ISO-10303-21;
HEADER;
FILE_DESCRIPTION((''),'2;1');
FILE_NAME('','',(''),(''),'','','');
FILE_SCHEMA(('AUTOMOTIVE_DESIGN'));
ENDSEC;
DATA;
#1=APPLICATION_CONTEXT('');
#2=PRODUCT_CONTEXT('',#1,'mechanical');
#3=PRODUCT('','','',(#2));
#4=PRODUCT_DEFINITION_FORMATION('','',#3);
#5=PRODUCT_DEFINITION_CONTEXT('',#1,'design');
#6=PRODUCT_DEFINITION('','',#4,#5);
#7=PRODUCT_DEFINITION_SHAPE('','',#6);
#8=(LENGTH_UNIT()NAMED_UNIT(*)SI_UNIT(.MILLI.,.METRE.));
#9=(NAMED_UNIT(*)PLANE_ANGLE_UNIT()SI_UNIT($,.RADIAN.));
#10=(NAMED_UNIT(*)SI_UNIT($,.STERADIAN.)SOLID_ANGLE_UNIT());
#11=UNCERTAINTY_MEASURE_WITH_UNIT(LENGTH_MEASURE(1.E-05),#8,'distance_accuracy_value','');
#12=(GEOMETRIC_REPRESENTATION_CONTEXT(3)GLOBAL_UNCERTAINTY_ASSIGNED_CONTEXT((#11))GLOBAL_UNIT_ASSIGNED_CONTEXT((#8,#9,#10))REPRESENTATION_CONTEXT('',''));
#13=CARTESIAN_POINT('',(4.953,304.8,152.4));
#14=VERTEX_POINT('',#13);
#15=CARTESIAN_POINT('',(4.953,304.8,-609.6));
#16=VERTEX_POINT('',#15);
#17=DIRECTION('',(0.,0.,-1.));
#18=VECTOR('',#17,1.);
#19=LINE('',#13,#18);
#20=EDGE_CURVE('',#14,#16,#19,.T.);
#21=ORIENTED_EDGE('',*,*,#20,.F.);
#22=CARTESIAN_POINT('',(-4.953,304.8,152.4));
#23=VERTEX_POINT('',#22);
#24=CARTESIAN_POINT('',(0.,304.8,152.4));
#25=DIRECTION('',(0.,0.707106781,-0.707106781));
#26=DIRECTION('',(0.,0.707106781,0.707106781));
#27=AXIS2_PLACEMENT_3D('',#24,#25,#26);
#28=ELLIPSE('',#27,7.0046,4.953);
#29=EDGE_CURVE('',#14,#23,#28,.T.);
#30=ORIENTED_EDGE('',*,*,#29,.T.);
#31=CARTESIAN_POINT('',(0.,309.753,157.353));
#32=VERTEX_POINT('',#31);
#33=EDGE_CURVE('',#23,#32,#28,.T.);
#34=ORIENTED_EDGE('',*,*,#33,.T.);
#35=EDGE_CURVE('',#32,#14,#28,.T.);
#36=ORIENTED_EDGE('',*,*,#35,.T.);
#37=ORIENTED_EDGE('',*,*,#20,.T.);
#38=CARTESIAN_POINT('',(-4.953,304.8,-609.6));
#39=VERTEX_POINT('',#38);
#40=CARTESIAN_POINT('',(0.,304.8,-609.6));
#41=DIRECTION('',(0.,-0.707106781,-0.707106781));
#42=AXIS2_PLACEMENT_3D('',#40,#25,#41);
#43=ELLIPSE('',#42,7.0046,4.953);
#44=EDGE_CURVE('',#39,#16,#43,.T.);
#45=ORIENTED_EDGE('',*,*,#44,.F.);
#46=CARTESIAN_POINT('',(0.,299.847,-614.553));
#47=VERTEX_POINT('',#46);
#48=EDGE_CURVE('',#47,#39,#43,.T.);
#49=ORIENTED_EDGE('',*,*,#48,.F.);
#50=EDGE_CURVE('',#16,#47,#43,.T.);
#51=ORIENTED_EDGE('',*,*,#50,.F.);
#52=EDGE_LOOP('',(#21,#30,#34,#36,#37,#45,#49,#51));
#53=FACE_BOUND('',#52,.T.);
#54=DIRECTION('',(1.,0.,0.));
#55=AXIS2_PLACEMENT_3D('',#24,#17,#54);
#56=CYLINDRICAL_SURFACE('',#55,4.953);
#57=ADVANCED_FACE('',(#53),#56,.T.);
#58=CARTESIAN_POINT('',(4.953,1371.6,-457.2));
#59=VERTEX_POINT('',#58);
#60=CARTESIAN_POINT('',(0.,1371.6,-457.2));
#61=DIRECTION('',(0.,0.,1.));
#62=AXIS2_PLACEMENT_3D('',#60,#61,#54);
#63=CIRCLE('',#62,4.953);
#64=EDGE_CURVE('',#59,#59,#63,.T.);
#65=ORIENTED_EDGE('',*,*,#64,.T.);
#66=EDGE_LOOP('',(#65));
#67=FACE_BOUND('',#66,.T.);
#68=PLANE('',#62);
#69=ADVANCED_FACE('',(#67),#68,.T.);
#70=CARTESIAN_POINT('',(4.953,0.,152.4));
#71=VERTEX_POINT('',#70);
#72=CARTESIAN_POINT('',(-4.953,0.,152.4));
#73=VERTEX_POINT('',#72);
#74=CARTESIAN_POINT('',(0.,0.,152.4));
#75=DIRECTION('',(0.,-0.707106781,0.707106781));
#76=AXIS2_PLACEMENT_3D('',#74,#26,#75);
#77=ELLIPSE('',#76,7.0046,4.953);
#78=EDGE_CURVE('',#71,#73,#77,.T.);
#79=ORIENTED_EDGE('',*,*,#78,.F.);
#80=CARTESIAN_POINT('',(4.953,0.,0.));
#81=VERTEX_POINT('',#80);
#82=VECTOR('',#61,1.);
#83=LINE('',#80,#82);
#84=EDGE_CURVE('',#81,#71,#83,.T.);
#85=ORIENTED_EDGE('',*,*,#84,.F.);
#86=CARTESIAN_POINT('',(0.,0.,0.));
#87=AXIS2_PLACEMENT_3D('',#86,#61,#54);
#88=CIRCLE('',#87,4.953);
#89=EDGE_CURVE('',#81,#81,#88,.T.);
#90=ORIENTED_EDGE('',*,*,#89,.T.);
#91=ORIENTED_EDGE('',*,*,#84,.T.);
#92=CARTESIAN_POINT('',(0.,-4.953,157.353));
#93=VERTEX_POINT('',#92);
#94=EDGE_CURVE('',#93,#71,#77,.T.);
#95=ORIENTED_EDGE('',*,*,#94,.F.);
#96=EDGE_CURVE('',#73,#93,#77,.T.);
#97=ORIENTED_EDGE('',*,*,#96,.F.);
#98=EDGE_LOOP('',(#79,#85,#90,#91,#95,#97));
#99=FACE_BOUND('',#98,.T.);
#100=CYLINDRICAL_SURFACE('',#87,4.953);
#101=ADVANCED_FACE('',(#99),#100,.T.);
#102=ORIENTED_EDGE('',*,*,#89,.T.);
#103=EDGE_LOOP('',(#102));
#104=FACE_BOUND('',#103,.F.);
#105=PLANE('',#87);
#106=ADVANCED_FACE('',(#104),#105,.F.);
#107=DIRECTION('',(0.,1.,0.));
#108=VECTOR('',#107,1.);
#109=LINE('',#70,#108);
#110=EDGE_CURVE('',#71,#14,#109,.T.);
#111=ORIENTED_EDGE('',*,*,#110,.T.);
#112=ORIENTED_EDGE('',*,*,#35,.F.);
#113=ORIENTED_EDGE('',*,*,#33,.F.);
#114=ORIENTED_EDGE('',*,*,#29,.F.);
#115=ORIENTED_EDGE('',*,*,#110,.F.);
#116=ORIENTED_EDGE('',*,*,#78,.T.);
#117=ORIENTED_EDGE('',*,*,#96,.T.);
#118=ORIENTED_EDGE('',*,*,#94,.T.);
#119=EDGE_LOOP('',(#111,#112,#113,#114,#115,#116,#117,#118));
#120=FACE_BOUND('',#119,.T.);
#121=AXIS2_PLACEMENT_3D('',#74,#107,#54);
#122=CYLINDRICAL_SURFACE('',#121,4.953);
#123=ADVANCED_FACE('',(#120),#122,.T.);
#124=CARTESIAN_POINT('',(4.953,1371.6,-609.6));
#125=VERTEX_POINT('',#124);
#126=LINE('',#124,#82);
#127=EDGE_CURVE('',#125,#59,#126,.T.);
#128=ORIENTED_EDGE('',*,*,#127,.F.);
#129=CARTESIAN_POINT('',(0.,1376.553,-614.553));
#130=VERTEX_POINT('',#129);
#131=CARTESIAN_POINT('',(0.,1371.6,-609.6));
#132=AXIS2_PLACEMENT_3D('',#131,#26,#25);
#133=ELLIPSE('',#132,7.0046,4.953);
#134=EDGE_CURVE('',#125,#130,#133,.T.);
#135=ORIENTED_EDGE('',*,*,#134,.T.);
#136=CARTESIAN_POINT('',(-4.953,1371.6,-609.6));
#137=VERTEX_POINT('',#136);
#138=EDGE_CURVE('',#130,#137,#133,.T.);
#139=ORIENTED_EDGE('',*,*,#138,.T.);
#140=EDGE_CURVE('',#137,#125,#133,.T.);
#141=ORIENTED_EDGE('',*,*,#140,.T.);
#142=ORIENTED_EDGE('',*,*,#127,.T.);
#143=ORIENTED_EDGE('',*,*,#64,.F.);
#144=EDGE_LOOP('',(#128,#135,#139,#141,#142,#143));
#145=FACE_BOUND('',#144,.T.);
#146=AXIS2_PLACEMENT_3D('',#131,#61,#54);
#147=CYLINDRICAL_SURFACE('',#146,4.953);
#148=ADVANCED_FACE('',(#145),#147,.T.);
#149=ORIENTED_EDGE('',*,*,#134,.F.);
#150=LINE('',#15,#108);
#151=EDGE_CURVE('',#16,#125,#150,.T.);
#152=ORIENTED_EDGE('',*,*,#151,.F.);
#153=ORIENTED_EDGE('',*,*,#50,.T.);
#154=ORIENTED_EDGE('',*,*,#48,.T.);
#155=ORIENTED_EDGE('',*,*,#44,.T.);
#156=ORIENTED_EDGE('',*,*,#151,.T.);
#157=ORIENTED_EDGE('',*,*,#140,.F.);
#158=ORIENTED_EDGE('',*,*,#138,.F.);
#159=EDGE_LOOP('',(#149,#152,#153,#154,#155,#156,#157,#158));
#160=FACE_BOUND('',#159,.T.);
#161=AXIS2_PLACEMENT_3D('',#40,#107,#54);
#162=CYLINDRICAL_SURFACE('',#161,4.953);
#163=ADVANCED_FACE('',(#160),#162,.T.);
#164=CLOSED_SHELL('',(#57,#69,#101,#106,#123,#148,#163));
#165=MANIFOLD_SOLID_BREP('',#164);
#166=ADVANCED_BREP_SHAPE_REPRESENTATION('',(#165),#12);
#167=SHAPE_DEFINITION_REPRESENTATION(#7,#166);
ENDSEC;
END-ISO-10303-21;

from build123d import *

# Parameters (mm, degrees)
F0_R = 4.953


with BuildPart() as f2:
    # F2: sweep along a path in F1
    with BuildLine(Plane.YZ) as f2_path:
        Line((0, 0), (0, 152.4))
        Line((0, 152.4), (304.8, 152.4))
        Line((304.8, 152.4), (304.8, -609.6))
        Line((304.8, -609.6), (1371.6, -609.6))
        Line((1371.6, -609.6), (1371.6, -457.2))
    # F0 (on Top) → F2 (sweep)
    with BuildSketch(Plane.XY):
        Circle(F0_R)
    sweep(path=f2_path.line, transition=Transition.RIGHT)


solid = f2.part
